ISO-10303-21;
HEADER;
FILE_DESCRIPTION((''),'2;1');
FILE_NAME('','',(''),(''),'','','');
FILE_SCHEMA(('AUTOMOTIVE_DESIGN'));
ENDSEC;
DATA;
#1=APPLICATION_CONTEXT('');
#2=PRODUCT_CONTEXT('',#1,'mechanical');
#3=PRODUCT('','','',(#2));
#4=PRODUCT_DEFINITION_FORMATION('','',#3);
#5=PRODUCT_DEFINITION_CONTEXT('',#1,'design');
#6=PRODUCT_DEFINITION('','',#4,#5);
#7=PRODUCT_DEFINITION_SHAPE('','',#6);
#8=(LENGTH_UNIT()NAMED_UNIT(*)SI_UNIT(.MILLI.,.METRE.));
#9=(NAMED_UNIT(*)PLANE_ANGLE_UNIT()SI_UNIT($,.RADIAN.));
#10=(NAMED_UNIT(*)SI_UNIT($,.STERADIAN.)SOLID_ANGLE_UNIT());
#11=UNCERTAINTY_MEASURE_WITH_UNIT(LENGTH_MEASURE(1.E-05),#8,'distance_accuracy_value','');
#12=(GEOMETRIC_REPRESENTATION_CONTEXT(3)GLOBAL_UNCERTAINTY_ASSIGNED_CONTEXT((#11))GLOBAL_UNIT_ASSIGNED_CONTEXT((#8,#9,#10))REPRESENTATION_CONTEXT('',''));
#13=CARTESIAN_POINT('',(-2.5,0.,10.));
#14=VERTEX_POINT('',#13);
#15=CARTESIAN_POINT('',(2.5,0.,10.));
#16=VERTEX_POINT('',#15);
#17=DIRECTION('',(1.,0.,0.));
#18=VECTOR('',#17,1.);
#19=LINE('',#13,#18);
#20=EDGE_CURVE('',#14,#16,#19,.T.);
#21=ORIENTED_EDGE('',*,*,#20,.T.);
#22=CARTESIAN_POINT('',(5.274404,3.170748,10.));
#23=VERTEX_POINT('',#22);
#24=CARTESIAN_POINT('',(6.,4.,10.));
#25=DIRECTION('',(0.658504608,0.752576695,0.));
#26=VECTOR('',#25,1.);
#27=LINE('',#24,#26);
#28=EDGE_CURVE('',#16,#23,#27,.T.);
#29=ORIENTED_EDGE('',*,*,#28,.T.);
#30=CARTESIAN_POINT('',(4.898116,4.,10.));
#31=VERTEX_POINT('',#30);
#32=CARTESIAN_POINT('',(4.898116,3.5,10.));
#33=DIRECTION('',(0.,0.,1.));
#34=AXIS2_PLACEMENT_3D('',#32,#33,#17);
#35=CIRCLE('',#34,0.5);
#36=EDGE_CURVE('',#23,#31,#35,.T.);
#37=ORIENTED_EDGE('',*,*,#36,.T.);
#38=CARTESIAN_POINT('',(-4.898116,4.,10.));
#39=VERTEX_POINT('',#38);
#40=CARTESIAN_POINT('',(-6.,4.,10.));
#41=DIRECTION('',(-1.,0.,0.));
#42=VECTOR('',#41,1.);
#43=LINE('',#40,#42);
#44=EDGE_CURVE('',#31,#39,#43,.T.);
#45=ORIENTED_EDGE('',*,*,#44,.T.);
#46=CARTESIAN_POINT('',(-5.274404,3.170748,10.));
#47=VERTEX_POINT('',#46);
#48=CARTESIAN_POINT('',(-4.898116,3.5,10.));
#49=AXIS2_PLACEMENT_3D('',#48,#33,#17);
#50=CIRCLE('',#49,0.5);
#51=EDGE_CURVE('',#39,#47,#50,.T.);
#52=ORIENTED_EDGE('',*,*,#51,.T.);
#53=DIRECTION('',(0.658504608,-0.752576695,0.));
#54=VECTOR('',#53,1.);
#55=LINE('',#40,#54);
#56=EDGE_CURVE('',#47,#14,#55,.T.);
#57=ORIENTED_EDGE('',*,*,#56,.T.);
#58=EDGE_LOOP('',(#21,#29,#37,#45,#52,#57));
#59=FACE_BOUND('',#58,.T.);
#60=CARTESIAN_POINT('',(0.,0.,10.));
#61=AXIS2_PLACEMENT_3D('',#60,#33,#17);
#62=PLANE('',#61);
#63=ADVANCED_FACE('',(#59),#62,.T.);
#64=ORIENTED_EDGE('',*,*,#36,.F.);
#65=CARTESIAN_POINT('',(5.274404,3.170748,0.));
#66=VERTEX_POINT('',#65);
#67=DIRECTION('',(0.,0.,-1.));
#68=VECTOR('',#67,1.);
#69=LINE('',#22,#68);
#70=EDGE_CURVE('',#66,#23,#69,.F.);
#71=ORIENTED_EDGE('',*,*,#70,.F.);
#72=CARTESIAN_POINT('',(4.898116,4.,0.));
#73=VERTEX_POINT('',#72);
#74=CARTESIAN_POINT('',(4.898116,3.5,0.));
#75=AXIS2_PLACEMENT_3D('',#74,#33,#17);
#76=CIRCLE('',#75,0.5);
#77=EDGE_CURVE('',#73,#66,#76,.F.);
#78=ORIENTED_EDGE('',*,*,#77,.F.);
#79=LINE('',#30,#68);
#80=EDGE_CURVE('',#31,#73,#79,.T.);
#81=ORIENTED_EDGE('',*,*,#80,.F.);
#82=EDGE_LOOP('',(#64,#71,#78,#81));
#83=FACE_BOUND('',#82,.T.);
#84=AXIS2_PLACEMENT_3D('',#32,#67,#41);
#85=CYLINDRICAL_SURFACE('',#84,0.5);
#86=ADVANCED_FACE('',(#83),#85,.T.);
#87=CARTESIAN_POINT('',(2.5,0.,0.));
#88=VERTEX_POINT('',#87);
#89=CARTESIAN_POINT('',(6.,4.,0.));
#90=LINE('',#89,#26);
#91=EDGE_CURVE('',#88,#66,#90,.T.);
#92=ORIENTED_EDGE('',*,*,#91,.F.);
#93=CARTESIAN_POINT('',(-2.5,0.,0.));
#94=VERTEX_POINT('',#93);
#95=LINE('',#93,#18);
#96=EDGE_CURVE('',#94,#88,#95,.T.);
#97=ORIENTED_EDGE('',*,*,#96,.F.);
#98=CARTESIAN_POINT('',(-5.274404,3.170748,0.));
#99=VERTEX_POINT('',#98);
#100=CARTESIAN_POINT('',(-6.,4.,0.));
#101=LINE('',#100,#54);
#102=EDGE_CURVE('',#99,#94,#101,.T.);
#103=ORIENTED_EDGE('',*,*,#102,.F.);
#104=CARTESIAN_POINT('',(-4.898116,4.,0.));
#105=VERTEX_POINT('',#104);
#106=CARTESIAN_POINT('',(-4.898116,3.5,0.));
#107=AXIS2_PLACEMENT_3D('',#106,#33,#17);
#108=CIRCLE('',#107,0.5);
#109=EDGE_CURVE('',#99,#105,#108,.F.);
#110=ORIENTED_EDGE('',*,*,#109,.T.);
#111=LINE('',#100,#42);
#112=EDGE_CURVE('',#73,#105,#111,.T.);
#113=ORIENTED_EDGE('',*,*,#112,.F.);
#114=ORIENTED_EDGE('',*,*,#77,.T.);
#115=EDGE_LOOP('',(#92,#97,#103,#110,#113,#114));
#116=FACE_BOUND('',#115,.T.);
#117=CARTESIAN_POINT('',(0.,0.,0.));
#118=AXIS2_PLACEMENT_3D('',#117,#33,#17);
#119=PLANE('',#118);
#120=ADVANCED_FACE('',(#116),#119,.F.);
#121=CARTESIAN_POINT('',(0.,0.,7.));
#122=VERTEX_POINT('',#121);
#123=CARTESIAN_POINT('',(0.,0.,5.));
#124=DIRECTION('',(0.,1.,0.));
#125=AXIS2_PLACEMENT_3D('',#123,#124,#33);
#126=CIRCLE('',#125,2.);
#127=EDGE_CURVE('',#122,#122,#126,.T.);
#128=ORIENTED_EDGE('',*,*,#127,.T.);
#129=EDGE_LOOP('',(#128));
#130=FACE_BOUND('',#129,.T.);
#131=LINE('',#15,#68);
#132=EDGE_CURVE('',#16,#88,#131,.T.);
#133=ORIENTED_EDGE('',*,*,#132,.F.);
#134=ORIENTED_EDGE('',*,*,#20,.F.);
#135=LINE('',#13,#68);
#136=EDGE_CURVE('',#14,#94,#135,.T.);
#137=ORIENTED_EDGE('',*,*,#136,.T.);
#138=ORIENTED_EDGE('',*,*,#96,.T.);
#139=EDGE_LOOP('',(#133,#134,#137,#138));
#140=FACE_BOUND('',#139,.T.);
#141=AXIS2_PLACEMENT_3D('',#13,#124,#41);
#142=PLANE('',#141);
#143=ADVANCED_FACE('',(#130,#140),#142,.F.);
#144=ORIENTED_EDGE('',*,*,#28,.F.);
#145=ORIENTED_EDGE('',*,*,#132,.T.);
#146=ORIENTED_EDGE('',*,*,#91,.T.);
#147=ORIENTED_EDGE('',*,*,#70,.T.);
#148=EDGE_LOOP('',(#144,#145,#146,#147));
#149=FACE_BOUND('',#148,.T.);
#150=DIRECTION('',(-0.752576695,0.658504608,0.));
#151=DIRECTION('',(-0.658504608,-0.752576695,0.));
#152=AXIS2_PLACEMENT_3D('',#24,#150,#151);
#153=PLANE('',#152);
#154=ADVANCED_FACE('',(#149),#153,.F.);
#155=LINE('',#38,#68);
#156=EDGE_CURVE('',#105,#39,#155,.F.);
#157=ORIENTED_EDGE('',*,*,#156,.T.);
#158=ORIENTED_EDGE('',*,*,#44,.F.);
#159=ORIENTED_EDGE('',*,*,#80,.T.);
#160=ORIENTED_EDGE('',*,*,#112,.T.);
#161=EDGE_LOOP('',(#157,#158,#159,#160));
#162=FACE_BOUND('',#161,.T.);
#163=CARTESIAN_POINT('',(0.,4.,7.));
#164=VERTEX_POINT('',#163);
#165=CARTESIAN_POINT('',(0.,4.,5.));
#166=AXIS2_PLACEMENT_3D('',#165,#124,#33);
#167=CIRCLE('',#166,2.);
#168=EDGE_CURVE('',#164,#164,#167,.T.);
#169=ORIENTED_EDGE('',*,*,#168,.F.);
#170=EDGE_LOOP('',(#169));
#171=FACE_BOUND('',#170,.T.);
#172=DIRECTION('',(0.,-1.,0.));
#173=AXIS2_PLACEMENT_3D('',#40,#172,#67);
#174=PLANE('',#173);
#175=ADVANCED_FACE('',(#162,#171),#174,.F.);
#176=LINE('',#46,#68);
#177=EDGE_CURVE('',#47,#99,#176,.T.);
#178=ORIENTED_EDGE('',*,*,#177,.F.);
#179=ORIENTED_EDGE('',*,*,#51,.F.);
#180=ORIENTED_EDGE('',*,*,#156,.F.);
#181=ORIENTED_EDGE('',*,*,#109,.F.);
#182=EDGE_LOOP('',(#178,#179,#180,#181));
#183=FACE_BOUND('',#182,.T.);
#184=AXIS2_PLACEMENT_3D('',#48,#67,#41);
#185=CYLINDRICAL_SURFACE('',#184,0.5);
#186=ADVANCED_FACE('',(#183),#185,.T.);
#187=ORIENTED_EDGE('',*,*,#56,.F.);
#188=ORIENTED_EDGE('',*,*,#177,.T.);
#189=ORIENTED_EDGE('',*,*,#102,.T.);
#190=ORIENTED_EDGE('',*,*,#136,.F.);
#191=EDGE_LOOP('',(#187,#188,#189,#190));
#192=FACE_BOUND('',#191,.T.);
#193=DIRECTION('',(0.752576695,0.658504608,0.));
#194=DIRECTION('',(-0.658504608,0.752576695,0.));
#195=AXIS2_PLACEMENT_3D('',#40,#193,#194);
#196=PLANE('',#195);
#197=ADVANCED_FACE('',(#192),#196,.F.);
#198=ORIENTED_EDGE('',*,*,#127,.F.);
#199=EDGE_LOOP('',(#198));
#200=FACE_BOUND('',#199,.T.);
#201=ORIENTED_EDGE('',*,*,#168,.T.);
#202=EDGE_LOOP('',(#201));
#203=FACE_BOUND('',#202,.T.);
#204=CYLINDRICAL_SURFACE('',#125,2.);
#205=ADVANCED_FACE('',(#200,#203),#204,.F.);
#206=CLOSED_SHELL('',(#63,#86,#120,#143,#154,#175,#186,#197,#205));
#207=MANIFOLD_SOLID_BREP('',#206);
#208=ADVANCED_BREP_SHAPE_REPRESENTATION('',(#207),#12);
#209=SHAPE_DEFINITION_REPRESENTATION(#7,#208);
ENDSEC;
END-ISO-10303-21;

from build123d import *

# Parameters (mm, degrees)
EXTRUDE_1_DEPTH     = 10
SKETCH_3_R          = 2
CUT_EXTRUDE_1_DEPTH = 13.328828006
FILLET_2_R          = 0.5


with BuildPart() as part:
    # ｽｹｯﾁ2 → ﾎﾞｽ - 押し出し1 (new body)
    with BuildSketch(Plane.XY):
        Polygon((-6, 4), (6, 4), (2.5, 0), (-2.5, 0), align=None)
    extrude(amount=EXTRUDE_1_DEPTH)

    # ｽｹｯﾁ3 → ｶｯﾄ - 押し出し1 (cut, through all)
    with BuildSketch(Plane(origin=(0, 4, 0), x_dir=(1, 0, 0), z_dir=(0, 1, 0))):
        with Locations(Location((0, -5, 0), (0, 0, 270))):
            Circle(SKETCH_3_R)
    extrude(amount=-CUT_EXTRUDE_1_DEPTH, mode=Mode.SUBTRACT)

    # ﾌｨﾚｯﾄ2
    fillet_2_edges = [part.edges().sort_by_distance(p)[0] for p in [
        (-6, 4, 5),
        (6, 4, 5),
    ]]
    fillet(fillet_2_edges, radius=FILLET_2_R)


solid = part.part
